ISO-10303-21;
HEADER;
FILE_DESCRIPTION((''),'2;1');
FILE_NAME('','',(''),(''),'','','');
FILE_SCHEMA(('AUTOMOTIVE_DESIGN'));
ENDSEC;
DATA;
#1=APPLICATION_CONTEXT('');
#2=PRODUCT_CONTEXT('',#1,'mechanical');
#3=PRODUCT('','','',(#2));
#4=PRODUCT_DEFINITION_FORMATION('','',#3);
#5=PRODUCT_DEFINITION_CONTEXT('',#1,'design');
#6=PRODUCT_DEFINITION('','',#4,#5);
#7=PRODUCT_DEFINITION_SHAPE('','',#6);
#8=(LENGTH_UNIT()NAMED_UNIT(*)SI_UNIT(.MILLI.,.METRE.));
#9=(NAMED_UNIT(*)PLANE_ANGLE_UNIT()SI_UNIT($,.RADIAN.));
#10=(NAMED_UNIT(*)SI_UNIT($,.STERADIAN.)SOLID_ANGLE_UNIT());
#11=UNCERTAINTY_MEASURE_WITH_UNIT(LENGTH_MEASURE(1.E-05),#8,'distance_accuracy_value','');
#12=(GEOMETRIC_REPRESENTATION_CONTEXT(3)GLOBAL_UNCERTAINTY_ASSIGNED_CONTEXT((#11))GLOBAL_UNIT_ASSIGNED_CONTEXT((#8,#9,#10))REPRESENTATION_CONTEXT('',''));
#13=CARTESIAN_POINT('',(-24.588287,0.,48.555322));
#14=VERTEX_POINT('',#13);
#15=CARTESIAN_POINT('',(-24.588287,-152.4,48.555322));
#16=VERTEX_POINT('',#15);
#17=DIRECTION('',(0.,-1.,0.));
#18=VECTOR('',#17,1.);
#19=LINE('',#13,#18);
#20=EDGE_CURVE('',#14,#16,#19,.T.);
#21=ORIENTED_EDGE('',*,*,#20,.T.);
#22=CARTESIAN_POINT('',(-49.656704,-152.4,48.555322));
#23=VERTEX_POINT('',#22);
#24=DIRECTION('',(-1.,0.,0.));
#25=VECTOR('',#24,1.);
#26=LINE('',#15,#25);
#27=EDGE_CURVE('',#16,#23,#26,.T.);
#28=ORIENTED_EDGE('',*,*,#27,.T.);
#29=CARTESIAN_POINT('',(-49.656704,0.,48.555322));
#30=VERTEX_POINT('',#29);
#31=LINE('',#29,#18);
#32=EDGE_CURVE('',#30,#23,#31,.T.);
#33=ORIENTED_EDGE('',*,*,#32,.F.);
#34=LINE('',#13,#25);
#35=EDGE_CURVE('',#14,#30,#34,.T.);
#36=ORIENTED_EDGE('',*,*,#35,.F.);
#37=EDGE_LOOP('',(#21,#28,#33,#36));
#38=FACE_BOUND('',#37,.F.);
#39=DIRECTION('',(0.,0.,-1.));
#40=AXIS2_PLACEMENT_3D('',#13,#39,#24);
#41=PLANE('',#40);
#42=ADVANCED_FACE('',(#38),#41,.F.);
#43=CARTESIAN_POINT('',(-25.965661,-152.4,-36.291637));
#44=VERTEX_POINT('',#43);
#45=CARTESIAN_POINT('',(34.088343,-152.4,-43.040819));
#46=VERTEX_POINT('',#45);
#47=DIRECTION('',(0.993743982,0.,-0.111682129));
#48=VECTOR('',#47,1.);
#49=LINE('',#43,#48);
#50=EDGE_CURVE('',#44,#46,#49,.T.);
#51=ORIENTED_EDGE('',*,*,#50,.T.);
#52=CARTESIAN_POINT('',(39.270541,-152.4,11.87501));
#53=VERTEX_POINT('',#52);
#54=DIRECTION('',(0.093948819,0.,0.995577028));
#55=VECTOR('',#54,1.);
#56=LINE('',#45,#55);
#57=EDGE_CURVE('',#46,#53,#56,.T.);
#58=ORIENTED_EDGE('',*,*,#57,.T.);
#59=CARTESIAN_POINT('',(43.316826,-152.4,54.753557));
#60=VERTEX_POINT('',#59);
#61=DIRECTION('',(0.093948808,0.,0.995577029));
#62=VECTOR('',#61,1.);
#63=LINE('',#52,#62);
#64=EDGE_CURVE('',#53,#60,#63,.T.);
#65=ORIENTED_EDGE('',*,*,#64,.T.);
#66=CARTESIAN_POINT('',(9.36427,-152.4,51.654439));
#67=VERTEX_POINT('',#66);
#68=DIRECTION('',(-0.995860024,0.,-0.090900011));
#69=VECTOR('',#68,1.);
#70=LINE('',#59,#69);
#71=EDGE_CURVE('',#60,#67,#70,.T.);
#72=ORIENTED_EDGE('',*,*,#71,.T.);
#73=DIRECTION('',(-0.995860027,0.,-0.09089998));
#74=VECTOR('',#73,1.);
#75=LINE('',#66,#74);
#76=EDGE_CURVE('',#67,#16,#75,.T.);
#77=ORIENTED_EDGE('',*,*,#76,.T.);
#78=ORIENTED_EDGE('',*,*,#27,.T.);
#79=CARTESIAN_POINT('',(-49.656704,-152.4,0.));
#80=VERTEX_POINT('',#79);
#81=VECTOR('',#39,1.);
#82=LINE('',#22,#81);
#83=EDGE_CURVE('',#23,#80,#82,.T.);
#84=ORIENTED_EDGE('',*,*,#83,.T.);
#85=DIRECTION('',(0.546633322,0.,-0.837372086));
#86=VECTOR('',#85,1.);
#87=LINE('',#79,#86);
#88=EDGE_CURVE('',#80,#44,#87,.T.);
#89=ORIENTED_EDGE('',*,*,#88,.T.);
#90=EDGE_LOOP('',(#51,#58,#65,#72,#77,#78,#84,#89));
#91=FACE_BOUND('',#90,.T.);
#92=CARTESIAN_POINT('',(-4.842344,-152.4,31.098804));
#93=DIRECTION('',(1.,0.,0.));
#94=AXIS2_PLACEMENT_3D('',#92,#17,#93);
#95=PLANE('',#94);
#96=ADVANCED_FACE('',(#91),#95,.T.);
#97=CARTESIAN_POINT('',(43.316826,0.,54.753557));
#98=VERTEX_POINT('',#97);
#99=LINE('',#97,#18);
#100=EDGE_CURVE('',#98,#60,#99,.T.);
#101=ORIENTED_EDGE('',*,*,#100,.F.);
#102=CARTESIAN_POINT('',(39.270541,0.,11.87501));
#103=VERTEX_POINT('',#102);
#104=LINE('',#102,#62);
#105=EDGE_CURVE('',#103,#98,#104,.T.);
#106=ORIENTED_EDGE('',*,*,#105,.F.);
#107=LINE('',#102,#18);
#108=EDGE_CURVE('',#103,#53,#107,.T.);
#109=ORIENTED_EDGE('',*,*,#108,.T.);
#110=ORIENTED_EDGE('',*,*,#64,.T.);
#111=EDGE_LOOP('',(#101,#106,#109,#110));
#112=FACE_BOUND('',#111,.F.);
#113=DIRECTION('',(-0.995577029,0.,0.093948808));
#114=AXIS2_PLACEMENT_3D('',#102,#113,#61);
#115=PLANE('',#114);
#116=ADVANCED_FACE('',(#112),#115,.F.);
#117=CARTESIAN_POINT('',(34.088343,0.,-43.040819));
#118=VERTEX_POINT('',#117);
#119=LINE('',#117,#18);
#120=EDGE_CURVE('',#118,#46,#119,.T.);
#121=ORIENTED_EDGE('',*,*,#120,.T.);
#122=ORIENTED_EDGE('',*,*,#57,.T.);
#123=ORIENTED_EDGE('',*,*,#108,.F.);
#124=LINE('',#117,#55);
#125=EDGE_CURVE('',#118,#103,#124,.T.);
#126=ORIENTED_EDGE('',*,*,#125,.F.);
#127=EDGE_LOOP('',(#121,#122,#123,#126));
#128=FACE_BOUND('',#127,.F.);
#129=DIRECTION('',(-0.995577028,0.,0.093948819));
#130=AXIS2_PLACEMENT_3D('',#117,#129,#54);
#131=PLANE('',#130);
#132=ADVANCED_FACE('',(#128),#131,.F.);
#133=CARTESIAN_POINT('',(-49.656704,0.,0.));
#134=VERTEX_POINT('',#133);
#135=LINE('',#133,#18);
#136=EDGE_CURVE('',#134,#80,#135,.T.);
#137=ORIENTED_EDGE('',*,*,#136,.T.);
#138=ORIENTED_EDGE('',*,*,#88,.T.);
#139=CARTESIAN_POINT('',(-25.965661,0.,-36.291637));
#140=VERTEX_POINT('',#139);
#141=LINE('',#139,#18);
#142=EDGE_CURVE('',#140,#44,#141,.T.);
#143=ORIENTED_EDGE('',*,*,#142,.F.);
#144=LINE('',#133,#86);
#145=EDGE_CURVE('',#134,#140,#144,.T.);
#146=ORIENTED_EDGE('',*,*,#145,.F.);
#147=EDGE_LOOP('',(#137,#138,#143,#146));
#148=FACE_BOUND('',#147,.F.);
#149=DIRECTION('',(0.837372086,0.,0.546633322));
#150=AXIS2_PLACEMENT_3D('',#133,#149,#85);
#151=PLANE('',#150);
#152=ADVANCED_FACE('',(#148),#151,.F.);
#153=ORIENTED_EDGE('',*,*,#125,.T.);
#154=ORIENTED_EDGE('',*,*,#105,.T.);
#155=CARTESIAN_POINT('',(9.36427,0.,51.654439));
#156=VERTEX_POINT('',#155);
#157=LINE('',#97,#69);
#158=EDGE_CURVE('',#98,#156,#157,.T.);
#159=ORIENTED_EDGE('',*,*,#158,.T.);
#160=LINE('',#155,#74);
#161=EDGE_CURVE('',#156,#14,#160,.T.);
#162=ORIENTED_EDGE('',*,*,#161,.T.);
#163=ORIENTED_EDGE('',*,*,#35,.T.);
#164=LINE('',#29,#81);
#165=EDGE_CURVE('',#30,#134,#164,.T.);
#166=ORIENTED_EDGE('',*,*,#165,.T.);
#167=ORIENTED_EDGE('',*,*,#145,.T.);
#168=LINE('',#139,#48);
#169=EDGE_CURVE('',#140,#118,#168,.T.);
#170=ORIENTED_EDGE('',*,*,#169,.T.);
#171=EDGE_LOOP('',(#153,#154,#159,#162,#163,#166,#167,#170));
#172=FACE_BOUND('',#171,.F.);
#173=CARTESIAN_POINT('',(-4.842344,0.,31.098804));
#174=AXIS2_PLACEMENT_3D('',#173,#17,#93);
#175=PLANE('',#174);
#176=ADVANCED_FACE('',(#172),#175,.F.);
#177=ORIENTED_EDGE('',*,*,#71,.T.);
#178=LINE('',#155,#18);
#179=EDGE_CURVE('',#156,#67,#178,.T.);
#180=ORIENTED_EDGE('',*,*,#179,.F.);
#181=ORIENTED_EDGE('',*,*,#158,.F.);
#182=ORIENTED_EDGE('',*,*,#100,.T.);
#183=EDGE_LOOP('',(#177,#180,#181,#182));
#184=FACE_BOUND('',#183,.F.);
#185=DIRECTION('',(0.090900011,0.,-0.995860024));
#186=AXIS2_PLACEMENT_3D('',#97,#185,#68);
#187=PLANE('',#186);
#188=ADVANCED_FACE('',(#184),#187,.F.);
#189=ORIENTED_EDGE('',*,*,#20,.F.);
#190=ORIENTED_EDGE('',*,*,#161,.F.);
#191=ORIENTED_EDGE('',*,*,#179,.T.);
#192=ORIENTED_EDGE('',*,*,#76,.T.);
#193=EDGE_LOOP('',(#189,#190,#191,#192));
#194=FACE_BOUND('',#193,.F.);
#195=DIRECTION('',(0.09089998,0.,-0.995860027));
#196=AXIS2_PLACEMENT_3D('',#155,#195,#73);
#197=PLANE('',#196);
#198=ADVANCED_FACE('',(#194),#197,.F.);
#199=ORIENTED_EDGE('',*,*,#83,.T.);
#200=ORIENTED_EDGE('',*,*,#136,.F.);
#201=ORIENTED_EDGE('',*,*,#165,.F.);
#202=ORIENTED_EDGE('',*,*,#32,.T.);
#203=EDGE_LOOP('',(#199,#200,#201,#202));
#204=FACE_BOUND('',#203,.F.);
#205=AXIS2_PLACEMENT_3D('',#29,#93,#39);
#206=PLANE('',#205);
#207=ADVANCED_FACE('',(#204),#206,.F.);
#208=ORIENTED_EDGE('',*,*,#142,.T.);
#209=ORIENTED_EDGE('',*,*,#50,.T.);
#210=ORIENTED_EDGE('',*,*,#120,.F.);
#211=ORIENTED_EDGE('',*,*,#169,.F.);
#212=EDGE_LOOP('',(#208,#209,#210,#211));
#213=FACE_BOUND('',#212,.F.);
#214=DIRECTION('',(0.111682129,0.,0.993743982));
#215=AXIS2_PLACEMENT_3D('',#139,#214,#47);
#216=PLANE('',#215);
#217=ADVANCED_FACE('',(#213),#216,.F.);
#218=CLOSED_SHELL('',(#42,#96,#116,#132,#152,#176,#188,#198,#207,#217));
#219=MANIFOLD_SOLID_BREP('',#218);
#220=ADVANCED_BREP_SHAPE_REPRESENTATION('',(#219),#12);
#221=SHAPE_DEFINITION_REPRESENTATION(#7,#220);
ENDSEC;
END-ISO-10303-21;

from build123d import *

# Parameters (mm, degrees)
F1_DEPTH = 152.4


with BuildPart() as f1:
    # F0 (on Front) → F1 (new body)
    with BuildSketch(Plane.XZ):
        Polygon((9.36427, 51.654439), (-24.588287, 48.555322), (0, 0), align=None)
        Polygon((0, 0), (-24.588287, 48.555322), (-49.656704, 48.555322), (-49.656704, 0), align=None)
        Polygon((-25.965661, -36.291637), (0, 0), (-49.656704, 0), align=None)
        Polygon((9.36427, 51.654439), (0, 0), (39.270541, 11.87501), align=None)
        Polygon((43.316826, 54.753557), (9.36427, 51.654439), (39.270541, 11.87501), align=None)
        Polygon((39.270541, 11.87501), (0, 0), (34.088343, -43.040819), align=None)
        Polygon((34.088343, -43.040819), (0, 0), (-25.965661, -36.291637), align=None)
    extrude(amount=F1_DEPTH)


solid = f1.part
